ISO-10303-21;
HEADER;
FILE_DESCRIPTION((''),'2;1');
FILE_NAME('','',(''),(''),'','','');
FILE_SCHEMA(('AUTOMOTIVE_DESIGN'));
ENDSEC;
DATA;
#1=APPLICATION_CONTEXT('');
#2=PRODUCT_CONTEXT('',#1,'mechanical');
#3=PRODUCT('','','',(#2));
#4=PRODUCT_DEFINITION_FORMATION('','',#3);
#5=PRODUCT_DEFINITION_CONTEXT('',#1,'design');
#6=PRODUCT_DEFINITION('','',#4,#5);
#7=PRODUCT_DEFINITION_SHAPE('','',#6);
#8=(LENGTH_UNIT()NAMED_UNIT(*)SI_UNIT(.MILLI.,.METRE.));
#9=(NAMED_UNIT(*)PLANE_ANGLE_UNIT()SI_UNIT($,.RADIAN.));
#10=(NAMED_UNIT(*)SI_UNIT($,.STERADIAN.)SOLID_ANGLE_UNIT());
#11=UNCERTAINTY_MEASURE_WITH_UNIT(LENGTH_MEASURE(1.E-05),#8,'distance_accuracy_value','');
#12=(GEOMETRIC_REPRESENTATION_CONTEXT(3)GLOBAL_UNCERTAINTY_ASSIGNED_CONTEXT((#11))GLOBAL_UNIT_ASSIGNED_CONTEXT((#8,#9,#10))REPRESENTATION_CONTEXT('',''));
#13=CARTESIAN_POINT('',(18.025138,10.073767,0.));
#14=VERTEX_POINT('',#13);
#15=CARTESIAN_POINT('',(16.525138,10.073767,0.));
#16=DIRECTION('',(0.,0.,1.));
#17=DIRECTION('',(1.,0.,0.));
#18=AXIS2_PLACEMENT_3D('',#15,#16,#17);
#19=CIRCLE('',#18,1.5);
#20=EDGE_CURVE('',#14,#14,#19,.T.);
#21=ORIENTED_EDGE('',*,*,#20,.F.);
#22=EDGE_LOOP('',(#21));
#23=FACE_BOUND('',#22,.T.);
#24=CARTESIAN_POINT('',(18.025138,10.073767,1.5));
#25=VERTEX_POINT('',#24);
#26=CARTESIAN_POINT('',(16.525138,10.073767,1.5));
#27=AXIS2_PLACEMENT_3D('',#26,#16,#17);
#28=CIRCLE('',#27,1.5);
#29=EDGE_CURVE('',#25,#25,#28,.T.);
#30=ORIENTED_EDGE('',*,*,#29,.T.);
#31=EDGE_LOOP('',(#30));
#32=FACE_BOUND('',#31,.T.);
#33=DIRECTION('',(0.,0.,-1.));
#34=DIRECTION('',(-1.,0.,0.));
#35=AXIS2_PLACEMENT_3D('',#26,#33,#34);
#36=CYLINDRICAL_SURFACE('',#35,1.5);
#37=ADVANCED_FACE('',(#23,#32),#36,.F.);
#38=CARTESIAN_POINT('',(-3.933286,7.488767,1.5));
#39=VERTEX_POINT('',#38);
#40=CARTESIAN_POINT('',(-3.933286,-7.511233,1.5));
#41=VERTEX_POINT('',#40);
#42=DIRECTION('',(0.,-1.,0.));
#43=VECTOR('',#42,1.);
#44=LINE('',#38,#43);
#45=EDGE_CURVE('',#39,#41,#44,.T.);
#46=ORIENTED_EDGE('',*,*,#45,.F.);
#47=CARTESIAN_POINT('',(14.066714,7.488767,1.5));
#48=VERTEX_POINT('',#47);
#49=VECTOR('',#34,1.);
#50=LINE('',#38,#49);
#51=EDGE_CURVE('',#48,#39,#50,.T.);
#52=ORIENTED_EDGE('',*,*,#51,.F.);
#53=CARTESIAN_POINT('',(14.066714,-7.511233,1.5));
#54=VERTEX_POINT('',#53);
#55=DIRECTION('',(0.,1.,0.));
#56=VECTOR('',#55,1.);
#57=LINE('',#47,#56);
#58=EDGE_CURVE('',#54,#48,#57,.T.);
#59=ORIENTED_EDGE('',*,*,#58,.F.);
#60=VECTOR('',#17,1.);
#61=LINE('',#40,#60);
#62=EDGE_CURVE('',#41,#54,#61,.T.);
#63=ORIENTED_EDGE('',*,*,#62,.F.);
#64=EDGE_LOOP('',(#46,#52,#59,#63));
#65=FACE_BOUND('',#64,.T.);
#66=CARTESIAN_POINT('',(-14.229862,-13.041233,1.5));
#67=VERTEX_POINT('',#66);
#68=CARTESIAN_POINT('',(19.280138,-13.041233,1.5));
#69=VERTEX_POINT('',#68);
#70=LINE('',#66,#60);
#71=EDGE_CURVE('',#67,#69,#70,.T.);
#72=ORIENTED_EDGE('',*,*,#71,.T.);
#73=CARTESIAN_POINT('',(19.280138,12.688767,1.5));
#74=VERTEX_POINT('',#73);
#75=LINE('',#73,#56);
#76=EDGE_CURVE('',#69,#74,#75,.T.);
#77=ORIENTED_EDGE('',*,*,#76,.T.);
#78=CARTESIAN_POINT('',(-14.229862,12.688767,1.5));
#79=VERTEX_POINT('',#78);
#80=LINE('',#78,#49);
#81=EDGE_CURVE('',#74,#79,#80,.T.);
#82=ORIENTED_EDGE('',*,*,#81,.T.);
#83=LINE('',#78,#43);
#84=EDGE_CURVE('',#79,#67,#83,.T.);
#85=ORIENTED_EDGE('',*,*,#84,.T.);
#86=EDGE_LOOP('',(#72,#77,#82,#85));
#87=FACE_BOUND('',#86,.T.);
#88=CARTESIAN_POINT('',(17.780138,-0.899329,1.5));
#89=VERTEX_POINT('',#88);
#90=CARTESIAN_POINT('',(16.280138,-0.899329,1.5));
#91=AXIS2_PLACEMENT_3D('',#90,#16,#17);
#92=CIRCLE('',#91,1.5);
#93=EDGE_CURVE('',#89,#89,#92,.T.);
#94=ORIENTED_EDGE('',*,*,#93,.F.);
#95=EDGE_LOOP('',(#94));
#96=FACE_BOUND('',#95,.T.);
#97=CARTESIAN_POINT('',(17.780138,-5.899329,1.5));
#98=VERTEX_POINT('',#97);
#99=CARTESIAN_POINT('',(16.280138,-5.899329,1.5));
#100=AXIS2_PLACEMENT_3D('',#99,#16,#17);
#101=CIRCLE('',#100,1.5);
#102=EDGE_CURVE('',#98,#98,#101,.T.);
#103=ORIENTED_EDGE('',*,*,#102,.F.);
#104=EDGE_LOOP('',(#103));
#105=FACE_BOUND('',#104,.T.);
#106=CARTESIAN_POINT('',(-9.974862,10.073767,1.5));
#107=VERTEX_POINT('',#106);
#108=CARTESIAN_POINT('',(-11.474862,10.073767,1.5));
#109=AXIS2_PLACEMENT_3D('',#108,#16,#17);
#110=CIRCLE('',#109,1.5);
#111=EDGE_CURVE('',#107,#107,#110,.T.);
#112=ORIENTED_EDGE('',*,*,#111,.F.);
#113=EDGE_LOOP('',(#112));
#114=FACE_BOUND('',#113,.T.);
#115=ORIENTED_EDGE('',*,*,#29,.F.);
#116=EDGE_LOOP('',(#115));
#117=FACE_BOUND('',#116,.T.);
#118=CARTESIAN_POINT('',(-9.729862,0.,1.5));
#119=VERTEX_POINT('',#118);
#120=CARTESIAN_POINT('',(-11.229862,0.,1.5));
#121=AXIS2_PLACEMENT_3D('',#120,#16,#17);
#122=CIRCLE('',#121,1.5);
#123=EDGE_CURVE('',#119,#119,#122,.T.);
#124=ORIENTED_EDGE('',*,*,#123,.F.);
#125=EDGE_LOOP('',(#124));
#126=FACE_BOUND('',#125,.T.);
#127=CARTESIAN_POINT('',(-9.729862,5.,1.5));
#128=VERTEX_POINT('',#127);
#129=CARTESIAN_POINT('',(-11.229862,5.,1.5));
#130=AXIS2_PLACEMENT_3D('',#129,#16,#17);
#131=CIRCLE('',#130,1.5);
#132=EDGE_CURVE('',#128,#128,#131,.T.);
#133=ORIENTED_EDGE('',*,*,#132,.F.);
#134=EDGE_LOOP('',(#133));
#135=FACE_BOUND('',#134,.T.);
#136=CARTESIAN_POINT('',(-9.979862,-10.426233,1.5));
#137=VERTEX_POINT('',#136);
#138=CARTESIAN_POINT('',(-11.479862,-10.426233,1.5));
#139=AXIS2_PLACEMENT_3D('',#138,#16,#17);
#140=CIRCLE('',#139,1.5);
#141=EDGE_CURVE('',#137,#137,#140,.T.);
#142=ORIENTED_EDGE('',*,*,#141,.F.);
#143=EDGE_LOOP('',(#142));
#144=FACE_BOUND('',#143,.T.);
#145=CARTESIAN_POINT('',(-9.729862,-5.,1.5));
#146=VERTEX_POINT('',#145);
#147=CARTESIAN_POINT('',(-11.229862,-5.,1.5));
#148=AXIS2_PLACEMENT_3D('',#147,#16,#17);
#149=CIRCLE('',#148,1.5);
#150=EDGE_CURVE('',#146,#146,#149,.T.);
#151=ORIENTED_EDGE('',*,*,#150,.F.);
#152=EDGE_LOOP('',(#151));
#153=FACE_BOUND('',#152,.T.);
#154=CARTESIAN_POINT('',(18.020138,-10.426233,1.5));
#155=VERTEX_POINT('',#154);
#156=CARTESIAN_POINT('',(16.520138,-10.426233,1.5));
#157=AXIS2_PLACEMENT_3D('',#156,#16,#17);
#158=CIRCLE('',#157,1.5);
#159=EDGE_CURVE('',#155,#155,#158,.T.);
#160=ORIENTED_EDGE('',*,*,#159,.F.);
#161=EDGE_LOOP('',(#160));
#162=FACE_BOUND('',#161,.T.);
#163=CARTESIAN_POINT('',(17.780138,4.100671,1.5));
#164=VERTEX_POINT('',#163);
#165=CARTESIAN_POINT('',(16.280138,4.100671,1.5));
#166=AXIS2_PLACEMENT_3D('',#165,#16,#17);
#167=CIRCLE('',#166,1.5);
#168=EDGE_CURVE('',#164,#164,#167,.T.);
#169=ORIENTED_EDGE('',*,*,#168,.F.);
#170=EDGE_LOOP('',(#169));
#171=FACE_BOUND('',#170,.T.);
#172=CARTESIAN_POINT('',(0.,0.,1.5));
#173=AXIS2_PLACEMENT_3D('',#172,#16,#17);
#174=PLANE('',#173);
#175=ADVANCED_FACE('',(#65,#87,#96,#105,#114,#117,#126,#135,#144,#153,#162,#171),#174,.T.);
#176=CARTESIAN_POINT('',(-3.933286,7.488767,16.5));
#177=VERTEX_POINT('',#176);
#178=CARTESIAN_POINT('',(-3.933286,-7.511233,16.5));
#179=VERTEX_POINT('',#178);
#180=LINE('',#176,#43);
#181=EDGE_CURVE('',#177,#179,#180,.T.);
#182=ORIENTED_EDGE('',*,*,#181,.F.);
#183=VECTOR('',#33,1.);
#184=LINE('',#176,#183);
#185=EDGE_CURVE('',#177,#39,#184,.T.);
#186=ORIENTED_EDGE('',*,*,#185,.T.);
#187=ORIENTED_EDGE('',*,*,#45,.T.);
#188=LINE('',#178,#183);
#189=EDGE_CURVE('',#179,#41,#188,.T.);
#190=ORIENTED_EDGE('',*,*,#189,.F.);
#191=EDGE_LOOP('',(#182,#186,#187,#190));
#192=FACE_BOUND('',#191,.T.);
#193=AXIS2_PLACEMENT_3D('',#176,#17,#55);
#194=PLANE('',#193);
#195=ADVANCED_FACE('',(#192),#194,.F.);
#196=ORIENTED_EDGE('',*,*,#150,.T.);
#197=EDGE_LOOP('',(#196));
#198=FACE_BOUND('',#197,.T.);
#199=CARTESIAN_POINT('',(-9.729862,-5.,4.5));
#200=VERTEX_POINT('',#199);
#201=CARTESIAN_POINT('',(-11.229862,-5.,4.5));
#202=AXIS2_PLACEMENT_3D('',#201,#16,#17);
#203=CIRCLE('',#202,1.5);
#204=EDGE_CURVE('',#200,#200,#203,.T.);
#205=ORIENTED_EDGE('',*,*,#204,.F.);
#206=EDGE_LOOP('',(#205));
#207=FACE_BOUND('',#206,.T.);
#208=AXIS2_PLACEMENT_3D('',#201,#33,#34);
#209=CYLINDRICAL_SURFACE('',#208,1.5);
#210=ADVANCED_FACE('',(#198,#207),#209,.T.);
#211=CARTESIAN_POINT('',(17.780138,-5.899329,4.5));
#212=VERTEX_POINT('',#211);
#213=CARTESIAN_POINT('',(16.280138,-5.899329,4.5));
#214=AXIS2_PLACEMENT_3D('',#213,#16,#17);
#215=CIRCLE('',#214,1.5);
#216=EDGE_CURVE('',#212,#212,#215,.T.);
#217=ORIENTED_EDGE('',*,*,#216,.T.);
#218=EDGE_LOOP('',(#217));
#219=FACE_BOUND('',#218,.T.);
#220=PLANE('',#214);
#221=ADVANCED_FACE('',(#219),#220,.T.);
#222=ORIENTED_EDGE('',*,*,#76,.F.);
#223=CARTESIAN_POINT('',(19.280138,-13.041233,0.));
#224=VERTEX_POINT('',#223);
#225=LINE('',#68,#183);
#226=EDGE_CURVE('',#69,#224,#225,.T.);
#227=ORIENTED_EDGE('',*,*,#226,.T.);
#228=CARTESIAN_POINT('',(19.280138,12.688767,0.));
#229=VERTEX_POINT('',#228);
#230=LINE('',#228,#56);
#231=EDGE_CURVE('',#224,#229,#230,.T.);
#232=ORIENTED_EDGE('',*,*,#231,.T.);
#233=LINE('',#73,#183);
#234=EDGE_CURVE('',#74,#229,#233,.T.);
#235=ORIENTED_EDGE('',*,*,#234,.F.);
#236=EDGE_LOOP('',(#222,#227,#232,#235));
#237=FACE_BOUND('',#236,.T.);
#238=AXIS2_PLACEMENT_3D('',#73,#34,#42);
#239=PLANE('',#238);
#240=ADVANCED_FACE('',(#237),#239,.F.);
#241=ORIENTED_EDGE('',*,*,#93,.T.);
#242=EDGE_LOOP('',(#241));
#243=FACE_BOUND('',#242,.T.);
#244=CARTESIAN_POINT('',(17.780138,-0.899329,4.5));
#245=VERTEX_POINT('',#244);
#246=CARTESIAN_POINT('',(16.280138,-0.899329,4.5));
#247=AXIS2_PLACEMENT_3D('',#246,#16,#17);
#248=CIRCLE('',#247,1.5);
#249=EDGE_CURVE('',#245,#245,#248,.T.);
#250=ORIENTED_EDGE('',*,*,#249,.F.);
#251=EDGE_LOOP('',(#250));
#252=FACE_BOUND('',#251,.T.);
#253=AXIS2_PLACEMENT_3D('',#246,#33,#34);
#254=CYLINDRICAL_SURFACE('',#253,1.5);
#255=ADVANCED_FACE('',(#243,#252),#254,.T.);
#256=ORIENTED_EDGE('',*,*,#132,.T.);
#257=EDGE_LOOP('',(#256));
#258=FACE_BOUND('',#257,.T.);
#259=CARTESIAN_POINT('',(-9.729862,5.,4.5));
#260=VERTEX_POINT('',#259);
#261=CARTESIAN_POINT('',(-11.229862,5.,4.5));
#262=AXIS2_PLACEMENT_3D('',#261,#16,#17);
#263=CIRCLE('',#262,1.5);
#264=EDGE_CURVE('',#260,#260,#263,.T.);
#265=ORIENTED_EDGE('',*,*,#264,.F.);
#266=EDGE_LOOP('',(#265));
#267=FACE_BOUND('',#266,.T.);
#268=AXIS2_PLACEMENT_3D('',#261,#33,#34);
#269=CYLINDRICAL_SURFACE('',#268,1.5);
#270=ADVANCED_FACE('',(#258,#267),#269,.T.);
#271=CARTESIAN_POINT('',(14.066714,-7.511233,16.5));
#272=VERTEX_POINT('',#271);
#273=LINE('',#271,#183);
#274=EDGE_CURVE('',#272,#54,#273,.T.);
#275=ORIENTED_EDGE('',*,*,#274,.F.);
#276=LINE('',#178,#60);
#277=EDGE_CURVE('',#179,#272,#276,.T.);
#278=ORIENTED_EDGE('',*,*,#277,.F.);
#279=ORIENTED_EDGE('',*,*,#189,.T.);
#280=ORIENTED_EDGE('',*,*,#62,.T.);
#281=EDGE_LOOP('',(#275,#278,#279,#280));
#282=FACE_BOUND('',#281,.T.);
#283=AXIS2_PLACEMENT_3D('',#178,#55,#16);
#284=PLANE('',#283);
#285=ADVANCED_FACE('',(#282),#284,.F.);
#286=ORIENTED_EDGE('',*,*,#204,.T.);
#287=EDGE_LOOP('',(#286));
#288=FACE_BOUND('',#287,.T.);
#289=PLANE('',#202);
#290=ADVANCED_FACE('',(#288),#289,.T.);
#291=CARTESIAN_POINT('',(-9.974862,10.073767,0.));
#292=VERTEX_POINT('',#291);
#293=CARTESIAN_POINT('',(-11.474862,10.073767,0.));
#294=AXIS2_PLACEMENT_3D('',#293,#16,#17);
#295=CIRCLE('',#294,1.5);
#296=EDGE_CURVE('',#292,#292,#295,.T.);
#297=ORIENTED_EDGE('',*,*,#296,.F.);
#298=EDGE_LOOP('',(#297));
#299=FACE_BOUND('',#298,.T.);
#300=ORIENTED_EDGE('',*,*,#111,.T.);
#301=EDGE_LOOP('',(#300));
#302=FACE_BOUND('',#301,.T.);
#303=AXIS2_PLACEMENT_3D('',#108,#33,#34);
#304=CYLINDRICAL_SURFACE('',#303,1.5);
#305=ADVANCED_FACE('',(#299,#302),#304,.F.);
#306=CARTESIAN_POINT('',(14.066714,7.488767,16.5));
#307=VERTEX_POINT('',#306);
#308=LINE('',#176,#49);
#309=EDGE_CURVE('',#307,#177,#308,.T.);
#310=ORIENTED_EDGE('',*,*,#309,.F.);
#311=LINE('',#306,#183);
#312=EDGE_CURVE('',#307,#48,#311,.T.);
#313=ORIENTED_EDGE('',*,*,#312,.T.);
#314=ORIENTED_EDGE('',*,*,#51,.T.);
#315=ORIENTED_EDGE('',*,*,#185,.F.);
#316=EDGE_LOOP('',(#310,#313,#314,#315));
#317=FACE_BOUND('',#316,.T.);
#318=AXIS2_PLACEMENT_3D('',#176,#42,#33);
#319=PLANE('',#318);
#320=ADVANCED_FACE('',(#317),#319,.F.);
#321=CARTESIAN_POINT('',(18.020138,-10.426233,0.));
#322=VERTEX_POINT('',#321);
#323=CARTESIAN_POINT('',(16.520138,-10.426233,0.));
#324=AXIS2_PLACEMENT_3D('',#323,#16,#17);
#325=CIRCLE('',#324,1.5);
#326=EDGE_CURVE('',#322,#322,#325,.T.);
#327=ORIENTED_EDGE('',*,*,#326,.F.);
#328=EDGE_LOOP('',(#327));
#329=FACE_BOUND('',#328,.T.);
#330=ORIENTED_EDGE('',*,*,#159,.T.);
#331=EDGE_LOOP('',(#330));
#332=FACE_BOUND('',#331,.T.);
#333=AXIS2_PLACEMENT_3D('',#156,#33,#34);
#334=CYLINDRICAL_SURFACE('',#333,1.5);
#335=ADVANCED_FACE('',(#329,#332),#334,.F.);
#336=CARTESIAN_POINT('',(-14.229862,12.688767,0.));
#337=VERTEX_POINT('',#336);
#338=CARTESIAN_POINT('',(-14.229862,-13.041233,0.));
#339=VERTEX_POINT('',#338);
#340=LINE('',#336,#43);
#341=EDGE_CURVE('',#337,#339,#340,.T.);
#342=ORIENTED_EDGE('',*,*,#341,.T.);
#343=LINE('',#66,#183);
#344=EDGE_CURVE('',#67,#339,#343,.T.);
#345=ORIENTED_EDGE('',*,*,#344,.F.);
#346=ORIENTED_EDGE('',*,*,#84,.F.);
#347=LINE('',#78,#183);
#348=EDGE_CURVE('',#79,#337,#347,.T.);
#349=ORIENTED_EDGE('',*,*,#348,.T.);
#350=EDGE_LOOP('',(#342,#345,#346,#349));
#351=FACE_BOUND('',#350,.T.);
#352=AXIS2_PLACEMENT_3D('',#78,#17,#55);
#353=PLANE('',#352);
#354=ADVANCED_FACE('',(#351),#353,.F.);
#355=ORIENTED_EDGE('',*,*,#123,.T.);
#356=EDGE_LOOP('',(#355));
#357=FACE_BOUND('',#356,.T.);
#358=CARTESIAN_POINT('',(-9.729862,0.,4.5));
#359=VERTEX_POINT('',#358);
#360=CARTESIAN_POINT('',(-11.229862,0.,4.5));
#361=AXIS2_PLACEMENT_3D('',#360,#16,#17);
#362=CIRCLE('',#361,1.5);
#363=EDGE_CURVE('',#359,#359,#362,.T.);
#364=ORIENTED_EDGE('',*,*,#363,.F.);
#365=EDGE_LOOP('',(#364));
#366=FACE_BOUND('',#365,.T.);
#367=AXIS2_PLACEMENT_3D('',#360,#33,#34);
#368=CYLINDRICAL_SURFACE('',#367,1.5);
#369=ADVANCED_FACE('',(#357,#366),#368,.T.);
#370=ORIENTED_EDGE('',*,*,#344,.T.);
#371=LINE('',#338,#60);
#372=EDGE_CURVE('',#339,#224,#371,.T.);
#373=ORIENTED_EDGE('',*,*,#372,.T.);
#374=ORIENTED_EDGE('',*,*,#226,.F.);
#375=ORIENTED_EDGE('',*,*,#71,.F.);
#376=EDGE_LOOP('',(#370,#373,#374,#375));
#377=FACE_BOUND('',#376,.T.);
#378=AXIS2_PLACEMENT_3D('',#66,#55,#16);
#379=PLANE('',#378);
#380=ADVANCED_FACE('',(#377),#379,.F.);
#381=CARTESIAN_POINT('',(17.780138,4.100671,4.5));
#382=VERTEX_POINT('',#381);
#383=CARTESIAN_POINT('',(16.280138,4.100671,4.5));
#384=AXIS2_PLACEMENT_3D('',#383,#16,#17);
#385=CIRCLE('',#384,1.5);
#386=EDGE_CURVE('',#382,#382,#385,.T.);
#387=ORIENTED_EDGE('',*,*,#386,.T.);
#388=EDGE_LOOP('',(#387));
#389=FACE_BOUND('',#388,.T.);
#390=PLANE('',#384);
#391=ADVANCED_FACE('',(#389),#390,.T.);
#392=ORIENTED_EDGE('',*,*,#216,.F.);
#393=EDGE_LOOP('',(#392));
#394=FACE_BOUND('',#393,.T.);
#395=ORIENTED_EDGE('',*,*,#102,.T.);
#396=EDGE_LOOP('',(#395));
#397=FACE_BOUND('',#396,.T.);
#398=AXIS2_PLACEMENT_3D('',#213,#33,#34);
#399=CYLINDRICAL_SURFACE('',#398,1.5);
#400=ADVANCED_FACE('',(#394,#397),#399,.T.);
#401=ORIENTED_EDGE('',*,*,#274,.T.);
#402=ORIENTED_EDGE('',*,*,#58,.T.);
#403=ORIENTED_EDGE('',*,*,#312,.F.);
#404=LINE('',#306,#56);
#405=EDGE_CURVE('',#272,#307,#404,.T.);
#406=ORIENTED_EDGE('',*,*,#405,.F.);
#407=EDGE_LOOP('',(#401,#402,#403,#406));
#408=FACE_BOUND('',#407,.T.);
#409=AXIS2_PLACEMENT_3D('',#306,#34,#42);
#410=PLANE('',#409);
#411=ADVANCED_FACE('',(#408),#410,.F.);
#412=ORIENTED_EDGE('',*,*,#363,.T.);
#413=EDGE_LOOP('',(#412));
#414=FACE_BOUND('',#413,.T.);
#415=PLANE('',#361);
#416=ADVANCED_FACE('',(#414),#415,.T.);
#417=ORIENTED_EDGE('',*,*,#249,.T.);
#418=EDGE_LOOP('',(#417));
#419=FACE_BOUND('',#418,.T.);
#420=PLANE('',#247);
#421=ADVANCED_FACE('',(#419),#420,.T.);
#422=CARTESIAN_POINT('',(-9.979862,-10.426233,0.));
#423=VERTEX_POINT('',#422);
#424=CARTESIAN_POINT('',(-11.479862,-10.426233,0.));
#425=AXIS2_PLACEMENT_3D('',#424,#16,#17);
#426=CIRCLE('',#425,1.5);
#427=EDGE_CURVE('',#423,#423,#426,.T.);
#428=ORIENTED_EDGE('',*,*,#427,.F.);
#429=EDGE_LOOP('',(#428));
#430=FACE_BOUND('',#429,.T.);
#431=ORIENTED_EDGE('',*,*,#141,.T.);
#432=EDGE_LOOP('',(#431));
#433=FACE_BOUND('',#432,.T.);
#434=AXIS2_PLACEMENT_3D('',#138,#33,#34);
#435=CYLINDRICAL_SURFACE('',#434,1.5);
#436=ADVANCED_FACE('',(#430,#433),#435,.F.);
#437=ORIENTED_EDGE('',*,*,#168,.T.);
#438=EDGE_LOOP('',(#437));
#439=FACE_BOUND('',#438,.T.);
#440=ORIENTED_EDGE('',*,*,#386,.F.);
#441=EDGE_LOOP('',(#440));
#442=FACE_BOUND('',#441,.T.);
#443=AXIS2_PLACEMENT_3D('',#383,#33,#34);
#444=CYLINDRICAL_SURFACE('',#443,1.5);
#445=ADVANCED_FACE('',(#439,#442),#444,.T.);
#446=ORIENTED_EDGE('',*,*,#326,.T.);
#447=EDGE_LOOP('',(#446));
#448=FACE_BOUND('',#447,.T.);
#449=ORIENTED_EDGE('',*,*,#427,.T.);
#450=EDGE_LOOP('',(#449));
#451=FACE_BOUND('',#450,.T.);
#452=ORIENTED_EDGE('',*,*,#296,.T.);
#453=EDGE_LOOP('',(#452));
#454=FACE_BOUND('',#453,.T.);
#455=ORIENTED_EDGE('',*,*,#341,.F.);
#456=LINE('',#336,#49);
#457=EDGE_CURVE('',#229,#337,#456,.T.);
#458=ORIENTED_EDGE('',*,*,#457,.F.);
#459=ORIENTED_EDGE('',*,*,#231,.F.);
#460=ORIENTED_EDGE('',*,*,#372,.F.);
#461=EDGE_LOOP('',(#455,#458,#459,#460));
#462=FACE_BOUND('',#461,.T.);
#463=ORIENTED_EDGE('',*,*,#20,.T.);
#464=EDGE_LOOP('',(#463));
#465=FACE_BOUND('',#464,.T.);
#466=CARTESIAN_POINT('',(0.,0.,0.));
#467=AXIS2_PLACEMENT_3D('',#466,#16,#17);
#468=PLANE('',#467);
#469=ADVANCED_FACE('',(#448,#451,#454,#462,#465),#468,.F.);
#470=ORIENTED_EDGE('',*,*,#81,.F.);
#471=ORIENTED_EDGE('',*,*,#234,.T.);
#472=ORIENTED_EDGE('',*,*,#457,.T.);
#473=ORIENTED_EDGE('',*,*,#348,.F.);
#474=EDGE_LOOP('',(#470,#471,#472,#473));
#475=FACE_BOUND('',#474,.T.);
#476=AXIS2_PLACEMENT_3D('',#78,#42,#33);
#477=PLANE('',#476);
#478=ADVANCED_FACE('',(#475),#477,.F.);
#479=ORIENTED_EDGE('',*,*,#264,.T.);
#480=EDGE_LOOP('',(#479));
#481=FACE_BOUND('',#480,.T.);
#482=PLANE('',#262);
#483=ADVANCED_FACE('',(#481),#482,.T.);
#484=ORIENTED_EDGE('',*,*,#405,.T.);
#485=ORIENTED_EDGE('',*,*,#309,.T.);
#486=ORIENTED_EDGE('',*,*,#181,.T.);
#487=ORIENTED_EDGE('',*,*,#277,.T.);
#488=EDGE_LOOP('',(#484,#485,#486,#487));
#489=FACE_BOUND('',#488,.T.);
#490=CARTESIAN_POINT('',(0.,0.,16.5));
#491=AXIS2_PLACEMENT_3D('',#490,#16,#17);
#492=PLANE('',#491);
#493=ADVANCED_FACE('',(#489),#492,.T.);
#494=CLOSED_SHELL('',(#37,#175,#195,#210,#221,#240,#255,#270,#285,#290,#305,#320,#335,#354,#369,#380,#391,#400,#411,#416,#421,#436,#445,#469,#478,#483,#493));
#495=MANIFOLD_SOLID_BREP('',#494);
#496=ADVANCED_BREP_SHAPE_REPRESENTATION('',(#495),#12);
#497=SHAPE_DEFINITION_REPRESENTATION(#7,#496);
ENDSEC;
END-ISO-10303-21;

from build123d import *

# Parameters (mm, degrees)
SKETCH_1_W      = 33.51
SKETCH_1_H      = 25.73
SKETCH_1_R      = 1.5
EXTRUDE_1_DEPTH = 1.5
SKETCH_2_W      = 18
SKETCH_2_H      = 15
EXTRUDE_2_DEPTH = 15
SKETCH_3_R      = 1.5
EXTRUDE_3_DEPTH = 3


with BuildPart() as part:
    # 草圖1 → 填料-伸長1 (new body)
    with BuildSketch(Plane.XY):
        with Locations((2.525137649, -0.176232877)):
            Rectangle(SKETCH_1_W, SKETCH_1_H)
        with Locations((-11.474862351, 10.073766514)):
            Circle(SKETCH_1_R, mode=Mode.SUBTRACT)
        with Locations((-11.479862351, -10.426232877)):
            Circle(SKETCH_1_R, mode=Mode.SUBTRACT)
        with Locations((16.520137649, -10.426232877)):
            Circle(SKETCH_1_R, mode=Mode.SUBTRACT)
        with Locations((16.525137649, 10.073766514)):
            Circle(SKETCH_1_R, mode=Mode.SUBTRACT)
    extrude(amount=EXTRUDE_1_DEPTH)

    # 草圖2 → 填料-伸長2 (add)
    with BuildSketch(Plane.XY.offset(1.5)):
        with Locations((5.066714054, -0.011232877)):
            Rectangle(SKETCH_2_W, SKETCH_2_H)
    extrude(amount=EXTRUDE_2_DEPTH)

    # 草圖3 → 填料-伸長3 (add)
    with BuildSketch(Plane.XY.offset(1.5)):
        with Locations((-11.229862351, 5)):
            Circle(SKETCH_3_R)
        with Locations((-11.229862351, 0)):
            Circle(SKETCH_3_R)
        with Locations((-11.229862351, -5)):
            Circle(SKETCH_3_R)
        with Locations((16.280137649, 4.100671386)):
            Circle(SKETCH_3_R)
        with Locations((16.280137649, -0.899328614)):
            Circle(SKETCH_3_R)
        with Locations((16.280137649, -5.899328614)):
            Circle(SKETCH_3_R)
    extrude(amount=EXTRUDE_3_DEPTH)


solid = part.part
